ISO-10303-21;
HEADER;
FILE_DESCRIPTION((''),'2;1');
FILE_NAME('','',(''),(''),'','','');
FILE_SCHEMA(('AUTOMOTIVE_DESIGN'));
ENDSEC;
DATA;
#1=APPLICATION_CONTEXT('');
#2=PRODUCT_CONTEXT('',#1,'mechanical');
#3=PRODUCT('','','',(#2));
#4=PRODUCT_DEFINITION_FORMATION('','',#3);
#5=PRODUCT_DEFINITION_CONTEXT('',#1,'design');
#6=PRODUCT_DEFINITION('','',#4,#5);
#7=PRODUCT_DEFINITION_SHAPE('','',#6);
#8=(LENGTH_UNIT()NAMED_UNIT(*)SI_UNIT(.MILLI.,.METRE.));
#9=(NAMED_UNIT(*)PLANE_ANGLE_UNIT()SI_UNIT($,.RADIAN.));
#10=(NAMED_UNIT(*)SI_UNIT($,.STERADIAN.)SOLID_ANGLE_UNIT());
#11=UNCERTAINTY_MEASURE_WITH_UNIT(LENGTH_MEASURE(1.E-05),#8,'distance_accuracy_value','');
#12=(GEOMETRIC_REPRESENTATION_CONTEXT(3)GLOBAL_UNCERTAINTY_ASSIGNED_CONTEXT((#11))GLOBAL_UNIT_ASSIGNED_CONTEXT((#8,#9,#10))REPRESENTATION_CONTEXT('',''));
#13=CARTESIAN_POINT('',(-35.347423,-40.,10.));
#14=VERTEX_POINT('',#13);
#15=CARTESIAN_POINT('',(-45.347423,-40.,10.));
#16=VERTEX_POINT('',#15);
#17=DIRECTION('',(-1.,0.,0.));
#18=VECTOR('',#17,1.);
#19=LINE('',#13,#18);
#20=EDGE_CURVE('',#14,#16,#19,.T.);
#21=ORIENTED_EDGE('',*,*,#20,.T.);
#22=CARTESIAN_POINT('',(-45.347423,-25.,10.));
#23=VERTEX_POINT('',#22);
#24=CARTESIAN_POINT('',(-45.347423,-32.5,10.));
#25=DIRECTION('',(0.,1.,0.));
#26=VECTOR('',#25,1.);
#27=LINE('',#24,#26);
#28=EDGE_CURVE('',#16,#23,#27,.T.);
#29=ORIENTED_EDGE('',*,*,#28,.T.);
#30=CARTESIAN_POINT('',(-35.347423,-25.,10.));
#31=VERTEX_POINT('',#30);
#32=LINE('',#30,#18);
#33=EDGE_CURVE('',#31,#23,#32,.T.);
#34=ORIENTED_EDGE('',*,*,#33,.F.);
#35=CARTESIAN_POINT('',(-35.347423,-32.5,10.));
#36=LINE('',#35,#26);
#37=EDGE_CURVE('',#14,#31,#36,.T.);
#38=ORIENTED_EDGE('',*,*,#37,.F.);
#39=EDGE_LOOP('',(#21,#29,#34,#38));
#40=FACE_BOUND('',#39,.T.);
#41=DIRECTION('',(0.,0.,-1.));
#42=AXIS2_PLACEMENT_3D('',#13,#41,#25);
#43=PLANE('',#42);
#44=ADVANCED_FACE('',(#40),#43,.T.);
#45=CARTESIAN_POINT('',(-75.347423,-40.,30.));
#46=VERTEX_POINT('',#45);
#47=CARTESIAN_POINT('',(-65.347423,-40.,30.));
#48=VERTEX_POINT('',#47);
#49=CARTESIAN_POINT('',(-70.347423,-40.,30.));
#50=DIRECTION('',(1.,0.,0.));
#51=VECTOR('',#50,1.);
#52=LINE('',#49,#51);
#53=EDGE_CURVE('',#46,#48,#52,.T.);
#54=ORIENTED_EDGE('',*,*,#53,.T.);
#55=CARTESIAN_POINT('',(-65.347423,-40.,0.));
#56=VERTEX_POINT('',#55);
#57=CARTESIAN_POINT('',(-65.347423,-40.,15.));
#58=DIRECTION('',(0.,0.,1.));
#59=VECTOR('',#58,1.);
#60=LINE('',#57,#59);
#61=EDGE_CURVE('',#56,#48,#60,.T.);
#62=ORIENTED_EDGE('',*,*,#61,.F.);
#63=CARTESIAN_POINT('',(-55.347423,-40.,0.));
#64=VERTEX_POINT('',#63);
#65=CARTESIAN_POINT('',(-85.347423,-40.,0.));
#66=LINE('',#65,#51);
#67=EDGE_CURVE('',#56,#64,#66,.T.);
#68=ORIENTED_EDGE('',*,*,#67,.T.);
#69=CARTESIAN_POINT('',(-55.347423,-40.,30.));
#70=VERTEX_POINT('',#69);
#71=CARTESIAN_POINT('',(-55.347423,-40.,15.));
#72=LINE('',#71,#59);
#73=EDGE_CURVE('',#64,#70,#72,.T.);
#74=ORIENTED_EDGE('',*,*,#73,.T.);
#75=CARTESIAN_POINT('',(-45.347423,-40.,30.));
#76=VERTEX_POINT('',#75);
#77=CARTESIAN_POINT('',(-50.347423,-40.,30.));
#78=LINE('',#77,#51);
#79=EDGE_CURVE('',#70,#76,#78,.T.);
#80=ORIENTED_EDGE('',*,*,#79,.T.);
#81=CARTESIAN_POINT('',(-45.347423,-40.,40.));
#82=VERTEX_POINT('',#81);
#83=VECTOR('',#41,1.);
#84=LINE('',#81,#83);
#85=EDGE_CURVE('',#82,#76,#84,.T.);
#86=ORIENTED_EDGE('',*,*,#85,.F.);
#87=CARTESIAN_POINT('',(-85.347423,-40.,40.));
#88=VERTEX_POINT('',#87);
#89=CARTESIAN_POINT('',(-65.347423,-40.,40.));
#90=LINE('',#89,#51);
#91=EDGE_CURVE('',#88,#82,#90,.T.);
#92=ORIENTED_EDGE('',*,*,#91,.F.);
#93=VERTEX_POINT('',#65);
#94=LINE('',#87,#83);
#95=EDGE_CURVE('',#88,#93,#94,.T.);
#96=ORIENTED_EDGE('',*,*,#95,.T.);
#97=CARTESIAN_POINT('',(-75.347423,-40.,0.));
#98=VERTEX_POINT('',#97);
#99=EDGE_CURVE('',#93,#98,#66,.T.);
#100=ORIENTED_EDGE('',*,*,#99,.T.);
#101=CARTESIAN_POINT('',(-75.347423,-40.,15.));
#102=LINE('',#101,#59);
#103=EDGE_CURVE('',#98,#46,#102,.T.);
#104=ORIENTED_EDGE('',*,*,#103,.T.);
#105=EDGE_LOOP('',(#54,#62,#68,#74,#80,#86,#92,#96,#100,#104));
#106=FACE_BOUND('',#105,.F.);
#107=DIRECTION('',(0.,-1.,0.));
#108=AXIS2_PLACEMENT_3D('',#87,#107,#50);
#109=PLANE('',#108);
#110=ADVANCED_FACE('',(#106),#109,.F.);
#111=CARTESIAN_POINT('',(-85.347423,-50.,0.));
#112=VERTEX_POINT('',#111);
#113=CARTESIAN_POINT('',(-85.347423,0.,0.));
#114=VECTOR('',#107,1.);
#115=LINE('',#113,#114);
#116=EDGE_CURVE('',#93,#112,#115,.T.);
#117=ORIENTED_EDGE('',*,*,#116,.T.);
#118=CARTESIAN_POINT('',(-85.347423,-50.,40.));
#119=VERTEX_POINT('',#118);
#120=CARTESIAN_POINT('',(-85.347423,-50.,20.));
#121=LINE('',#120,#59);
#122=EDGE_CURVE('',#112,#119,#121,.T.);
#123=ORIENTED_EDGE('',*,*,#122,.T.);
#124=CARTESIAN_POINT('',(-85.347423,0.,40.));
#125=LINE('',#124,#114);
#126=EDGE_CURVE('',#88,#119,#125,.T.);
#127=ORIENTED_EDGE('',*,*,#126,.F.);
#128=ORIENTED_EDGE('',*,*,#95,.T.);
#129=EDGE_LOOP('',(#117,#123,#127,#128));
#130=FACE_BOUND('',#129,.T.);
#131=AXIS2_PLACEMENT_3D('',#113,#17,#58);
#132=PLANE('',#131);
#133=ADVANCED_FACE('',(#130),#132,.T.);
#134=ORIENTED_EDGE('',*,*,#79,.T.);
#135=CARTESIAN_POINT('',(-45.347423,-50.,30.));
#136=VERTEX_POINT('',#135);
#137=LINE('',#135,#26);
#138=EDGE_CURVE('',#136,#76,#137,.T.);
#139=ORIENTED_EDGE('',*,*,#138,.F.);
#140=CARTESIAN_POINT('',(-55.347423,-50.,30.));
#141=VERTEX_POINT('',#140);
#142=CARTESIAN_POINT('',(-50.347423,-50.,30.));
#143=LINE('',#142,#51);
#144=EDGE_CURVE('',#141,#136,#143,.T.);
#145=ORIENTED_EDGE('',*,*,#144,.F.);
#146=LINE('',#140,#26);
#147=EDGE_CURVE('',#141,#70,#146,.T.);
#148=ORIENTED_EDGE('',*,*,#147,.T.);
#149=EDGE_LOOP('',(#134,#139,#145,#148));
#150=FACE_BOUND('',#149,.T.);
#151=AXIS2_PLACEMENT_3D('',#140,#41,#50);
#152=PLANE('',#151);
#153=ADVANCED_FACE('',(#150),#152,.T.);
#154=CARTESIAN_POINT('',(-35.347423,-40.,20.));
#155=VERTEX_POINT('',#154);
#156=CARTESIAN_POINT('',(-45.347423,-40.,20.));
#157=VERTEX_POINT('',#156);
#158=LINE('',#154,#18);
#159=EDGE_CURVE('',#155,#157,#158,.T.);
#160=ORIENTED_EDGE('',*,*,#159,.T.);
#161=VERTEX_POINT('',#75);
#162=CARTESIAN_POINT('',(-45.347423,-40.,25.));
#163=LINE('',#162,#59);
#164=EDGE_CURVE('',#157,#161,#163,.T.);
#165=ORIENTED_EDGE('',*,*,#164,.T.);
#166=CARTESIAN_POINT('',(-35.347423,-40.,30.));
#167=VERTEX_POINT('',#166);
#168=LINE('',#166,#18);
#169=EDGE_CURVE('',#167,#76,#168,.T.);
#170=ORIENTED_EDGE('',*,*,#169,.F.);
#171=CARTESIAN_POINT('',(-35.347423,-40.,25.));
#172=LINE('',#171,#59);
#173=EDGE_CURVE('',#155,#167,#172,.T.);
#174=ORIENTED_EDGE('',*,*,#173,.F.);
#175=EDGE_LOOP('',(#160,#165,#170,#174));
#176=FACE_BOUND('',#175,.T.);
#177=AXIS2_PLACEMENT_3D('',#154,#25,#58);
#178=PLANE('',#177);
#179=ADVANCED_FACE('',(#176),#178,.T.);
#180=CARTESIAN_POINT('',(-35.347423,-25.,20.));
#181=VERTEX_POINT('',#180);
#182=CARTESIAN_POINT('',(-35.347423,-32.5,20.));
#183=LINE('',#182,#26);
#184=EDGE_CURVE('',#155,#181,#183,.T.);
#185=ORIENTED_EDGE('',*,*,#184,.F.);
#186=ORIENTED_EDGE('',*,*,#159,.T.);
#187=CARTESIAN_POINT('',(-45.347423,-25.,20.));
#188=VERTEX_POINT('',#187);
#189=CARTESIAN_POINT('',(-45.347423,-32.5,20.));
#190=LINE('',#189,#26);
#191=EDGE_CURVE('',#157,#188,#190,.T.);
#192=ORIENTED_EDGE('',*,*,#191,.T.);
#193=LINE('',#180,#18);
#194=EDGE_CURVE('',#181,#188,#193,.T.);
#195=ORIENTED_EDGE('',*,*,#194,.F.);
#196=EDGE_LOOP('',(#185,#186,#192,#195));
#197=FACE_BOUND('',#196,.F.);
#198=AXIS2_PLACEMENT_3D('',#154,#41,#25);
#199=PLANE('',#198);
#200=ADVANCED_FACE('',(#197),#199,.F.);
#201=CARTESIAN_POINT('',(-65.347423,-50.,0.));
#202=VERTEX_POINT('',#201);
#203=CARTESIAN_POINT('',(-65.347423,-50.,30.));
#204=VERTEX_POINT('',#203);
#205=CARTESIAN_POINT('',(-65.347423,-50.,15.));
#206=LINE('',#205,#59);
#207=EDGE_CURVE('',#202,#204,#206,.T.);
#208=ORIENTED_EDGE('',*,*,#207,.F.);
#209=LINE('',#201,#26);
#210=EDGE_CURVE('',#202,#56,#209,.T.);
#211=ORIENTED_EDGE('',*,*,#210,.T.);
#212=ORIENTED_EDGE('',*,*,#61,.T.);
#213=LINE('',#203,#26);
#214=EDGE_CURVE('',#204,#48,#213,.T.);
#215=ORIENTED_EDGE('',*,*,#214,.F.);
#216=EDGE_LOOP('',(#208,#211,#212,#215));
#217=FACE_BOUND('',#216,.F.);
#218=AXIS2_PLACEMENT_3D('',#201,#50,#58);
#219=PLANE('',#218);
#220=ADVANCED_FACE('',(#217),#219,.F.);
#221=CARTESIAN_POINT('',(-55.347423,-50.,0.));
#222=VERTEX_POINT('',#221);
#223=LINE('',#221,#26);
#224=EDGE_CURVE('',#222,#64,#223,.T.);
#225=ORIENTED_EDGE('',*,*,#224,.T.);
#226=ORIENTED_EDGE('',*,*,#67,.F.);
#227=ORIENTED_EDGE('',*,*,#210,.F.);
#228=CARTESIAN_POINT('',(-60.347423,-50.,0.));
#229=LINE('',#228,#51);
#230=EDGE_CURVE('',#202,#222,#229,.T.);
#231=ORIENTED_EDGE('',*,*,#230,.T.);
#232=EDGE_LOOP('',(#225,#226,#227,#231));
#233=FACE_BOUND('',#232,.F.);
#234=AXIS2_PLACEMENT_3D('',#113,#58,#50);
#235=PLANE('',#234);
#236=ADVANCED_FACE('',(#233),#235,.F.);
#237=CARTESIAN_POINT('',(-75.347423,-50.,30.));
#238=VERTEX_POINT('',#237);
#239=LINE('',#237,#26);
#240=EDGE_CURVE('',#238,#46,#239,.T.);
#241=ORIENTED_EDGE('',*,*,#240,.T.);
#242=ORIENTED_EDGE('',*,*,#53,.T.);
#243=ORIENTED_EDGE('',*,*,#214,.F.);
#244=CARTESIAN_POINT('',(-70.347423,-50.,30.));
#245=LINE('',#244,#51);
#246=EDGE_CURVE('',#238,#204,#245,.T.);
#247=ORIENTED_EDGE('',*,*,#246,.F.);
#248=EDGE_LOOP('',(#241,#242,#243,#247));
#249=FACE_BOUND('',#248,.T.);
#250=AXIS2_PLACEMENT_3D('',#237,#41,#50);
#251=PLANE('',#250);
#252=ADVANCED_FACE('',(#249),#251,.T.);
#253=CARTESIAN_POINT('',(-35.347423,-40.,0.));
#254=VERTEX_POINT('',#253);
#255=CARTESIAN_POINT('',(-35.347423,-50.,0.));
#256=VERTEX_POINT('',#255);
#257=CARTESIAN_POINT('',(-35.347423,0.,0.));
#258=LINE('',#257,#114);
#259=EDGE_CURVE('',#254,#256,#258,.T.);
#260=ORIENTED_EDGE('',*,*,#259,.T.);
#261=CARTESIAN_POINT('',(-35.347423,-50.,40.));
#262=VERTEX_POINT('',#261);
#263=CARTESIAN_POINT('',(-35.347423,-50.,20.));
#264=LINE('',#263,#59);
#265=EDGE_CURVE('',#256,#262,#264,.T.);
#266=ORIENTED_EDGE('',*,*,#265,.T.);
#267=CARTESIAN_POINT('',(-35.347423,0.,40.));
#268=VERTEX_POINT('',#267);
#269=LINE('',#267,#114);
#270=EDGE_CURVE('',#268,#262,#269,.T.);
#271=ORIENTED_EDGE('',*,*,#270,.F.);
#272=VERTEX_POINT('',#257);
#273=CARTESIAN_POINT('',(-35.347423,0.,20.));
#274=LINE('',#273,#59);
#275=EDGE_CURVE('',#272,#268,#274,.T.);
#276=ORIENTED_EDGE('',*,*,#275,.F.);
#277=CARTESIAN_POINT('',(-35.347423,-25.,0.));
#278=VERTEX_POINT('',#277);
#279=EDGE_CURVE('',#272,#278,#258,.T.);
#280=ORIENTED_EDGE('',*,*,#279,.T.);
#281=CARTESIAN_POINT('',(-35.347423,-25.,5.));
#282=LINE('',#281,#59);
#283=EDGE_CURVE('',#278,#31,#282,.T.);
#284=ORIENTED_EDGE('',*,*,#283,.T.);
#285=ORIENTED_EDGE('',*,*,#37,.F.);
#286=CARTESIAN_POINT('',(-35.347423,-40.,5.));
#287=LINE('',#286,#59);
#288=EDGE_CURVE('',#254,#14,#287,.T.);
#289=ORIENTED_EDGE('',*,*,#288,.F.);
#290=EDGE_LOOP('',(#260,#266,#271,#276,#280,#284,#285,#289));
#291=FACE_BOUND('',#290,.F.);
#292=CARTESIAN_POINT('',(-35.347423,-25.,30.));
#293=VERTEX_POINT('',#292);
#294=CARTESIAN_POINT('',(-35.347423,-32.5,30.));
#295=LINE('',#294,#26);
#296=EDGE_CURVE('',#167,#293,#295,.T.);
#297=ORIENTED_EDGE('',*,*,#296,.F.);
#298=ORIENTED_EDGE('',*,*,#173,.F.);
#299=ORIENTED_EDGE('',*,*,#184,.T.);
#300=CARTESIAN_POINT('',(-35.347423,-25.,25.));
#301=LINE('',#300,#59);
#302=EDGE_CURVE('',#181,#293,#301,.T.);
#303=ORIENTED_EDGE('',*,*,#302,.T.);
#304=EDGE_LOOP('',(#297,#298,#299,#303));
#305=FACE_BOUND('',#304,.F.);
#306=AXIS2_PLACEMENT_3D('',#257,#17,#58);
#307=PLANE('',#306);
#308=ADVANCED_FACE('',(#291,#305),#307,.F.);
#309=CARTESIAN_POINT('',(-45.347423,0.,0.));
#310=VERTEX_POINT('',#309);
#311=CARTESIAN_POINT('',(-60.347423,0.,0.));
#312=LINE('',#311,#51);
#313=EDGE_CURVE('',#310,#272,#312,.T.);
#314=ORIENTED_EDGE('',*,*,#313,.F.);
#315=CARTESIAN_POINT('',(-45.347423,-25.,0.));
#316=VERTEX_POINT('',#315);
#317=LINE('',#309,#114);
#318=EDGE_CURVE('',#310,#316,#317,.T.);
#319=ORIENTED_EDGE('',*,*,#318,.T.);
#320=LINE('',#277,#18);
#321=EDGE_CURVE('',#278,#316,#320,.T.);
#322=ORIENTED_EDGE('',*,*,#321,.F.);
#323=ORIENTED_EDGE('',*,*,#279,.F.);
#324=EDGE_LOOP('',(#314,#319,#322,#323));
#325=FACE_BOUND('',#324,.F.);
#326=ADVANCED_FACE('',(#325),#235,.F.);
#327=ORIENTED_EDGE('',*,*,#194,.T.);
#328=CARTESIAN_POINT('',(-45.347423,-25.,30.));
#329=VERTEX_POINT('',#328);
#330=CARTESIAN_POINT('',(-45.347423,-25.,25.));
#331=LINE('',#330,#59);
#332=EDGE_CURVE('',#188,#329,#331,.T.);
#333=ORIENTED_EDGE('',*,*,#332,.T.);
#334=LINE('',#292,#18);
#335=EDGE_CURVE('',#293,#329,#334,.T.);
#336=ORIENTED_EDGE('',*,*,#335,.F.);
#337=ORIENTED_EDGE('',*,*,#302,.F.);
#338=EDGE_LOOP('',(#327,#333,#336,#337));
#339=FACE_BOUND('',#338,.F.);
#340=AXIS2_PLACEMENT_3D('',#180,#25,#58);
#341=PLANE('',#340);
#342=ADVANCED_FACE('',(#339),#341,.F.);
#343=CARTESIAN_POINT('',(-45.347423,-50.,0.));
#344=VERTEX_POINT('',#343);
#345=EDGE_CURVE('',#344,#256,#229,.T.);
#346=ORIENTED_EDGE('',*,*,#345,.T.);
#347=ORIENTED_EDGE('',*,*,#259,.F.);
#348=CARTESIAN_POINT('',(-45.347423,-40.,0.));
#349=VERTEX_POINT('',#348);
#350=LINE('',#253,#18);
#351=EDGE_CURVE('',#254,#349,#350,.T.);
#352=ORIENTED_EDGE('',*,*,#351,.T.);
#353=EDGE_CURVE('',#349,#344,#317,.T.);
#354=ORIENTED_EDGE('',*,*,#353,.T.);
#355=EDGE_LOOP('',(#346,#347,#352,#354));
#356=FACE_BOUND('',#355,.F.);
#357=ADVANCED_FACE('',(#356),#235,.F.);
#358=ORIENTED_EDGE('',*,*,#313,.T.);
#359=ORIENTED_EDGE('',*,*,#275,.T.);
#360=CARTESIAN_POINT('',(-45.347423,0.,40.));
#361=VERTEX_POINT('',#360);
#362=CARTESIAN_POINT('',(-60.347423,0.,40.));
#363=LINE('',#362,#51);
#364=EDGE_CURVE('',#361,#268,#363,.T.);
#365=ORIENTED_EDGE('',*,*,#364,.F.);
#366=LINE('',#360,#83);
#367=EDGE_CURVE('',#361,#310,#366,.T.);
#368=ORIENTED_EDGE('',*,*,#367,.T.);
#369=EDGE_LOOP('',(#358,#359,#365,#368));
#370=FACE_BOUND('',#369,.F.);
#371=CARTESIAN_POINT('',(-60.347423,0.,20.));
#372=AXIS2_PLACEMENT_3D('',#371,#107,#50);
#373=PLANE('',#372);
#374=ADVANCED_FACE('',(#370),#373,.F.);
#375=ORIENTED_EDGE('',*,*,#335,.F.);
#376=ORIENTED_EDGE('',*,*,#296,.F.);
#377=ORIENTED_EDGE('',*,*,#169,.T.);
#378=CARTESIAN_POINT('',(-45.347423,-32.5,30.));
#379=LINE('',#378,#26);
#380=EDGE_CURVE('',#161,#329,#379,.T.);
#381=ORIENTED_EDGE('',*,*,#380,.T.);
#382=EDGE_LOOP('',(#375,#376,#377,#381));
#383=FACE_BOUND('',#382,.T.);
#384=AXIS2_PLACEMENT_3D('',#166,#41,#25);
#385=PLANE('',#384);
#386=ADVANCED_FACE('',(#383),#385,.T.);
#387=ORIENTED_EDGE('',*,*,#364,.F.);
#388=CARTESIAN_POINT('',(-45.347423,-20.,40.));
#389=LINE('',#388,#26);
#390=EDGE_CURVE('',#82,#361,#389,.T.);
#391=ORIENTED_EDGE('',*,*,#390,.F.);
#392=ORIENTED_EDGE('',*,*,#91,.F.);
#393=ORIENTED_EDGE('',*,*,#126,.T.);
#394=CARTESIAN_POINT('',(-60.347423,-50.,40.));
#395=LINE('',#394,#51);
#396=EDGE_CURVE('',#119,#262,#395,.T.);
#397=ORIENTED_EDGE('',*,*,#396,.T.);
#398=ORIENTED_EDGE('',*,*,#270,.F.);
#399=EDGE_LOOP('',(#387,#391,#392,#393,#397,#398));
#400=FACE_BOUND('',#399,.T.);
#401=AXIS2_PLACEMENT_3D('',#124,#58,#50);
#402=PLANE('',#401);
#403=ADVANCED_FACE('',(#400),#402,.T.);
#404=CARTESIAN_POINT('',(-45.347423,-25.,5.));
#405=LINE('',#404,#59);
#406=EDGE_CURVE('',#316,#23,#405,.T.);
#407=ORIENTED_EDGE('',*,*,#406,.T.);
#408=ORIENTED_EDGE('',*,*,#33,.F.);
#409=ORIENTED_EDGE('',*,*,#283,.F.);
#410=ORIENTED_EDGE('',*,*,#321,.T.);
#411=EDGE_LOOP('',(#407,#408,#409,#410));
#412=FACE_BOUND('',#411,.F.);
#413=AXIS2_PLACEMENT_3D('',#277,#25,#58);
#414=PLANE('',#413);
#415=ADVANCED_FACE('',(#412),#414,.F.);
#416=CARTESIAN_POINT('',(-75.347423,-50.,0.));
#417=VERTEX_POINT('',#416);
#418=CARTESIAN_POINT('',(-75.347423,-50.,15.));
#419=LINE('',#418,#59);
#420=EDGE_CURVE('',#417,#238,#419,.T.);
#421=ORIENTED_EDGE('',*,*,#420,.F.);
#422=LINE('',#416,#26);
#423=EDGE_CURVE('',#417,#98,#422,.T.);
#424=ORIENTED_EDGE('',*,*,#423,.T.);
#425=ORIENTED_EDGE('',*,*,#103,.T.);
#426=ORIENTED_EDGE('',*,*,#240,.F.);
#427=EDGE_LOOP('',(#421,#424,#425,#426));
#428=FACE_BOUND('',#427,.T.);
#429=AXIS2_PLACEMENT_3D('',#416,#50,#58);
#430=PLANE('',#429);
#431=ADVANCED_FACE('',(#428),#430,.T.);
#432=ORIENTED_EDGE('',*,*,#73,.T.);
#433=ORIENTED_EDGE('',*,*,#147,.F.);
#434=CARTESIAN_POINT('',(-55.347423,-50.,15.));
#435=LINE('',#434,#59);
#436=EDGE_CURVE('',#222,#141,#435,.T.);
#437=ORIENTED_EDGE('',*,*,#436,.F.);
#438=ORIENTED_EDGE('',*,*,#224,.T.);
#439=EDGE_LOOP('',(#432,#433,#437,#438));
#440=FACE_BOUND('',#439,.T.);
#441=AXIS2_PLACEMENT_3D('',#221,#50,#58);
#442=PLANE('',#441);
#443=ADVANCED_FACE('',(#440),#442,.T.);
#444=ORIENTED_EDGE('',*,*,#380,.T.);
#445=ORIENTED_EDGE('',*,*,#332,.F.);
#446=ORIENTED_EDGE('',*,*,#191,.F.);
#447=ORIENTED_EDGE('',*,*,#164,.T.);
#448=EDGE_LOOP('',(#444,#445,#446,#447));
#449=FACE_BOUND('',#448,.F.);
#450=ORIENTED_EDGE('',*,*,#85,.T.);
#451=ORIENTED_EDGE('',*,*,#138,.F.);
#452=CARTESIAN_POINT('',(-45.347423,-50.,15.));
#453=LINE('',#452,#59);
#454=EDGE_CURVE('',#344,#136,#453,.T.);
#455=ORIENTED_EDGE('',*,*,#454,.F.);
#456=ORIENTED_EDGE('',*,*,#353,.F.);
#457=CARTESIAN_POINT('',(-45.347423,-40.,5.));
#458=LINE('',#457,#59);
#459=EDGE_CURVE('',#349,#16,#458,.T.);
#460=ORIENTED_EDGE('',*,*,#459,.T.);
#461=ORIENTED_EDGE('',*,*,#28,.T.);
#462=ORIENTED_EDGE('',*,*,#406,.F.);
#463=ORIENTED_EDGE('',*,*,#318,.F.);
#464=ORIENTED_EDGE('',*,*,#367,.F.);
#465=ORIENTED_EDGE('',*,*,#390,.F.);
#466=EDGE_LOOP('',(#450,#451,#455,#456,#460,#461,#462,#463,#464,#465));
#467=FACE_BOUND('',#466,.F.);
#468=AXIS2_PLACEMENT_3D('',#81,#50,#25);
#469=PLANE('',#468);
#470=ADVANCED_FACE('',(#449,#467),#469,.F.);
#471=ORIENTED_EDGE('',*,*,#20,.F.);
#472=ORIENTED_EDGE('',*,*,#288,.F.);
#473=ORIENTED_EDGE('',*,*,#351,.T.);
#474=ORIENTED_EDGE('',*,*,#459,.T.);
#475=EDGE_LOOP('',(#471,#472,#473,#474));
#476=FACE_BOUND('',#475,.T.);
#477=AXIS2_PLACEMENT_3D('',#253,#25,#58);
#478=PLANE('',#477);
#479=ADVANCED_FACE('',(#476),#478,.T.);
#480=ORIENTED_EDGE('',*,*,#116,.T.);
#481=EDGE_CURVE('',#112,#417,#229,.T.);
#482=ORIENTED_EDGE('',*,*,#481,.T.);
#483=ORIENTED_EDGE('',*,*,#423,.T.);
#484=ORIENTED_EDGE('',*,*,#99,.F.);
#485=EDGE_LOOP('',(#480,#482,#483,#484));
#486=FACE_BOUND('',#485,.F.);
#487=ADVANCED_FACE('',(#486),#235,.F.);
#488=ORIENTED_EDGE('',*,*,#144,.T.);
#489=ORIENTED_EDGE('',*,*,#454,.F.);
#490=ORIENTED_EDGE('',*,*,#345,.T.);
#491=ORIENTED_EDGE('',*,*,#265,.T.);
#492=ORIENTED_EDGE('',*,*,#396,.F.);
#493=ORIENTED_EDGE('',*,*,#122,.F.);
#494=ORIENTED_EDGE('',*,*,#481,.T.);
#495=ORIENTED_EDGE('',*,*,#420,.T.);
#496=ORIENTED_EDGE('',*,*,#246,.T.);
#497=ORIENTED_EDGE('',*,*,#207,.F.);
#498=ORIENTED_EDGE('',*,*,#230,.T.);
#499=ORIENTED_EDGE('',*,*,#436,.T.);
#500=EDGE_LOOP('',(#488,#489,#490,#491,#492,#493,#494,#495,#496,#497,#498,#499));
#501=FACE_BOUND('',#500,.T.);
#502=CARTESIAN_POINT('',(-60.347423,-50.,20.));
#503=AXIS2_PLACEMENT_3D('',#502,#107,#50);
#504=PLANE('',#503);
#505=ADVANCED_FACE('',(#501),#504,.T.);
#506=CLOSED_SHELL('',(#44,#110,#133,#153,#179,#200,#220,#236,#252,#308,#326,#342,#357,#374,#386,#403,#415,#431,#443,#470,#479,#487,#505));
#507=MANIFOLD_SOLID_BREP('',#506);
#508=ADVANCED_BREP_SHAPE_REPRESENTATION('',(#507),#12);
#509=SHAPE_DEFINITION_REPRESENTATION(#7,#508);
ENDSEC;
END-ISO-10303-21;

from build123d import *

# Parameters (mm, degrees)
F0_W     = 50
F0_H     = 40
F1_DEPTH = 50
F2_W     = 40
F2_H     = 40
F3_DEPTH = 50
F4_W     = 10
F4_H     = 30
F5_DEPTH = 10
F6_W     = 15
F6_H     = 10
F7_DEPTH = 10


with BuildPart() as f1:
    # F0 (on Front) → F1 (new body)
    with BuildSketch(Plane.XZ):
        with Locations((-60.347423, 20)):
            Rectangle(F0_W, F0_H)
    extrude(amount=F1_DEPTH)

    # F2 (on face) → F3 (cut)
    with BuildSketch(Plane.XY.offset(40)):
        with Locations((-65.347423, -20)):
            Rectangle(F2_W, F2_H)
    extrude(amount=-F3_DEPTH, mode=Mode.SUBTRACT)

    # F4 (on face) → F5 (cut)
    with BuildSketch(Plane.XZ.offset(50)):
        with Locations((-70.347423, 15)):
            Rectangle(F4_W, F4_H)
        with Locations((-50.347423, 15)):
            Rectangle(F4_W, F4_H)
    extrude(amount=-F5_DEPTH, mode=Mode.SUBTRACT)

    # F6 (on face) → F7 (cut)
    with BuildSketch(Plane.YZ.offset(-35.347423)):
        with Locations((-32.5, 25)):
            Rectangle(F6_W, F6_H)
        with Locations((-32.5, 5)):
            Rectangle(F6_W, F6_H)
    extrude(amount=-F7_DEPTH, mode=Mode.SUBTRACT)


solid = f1.part
